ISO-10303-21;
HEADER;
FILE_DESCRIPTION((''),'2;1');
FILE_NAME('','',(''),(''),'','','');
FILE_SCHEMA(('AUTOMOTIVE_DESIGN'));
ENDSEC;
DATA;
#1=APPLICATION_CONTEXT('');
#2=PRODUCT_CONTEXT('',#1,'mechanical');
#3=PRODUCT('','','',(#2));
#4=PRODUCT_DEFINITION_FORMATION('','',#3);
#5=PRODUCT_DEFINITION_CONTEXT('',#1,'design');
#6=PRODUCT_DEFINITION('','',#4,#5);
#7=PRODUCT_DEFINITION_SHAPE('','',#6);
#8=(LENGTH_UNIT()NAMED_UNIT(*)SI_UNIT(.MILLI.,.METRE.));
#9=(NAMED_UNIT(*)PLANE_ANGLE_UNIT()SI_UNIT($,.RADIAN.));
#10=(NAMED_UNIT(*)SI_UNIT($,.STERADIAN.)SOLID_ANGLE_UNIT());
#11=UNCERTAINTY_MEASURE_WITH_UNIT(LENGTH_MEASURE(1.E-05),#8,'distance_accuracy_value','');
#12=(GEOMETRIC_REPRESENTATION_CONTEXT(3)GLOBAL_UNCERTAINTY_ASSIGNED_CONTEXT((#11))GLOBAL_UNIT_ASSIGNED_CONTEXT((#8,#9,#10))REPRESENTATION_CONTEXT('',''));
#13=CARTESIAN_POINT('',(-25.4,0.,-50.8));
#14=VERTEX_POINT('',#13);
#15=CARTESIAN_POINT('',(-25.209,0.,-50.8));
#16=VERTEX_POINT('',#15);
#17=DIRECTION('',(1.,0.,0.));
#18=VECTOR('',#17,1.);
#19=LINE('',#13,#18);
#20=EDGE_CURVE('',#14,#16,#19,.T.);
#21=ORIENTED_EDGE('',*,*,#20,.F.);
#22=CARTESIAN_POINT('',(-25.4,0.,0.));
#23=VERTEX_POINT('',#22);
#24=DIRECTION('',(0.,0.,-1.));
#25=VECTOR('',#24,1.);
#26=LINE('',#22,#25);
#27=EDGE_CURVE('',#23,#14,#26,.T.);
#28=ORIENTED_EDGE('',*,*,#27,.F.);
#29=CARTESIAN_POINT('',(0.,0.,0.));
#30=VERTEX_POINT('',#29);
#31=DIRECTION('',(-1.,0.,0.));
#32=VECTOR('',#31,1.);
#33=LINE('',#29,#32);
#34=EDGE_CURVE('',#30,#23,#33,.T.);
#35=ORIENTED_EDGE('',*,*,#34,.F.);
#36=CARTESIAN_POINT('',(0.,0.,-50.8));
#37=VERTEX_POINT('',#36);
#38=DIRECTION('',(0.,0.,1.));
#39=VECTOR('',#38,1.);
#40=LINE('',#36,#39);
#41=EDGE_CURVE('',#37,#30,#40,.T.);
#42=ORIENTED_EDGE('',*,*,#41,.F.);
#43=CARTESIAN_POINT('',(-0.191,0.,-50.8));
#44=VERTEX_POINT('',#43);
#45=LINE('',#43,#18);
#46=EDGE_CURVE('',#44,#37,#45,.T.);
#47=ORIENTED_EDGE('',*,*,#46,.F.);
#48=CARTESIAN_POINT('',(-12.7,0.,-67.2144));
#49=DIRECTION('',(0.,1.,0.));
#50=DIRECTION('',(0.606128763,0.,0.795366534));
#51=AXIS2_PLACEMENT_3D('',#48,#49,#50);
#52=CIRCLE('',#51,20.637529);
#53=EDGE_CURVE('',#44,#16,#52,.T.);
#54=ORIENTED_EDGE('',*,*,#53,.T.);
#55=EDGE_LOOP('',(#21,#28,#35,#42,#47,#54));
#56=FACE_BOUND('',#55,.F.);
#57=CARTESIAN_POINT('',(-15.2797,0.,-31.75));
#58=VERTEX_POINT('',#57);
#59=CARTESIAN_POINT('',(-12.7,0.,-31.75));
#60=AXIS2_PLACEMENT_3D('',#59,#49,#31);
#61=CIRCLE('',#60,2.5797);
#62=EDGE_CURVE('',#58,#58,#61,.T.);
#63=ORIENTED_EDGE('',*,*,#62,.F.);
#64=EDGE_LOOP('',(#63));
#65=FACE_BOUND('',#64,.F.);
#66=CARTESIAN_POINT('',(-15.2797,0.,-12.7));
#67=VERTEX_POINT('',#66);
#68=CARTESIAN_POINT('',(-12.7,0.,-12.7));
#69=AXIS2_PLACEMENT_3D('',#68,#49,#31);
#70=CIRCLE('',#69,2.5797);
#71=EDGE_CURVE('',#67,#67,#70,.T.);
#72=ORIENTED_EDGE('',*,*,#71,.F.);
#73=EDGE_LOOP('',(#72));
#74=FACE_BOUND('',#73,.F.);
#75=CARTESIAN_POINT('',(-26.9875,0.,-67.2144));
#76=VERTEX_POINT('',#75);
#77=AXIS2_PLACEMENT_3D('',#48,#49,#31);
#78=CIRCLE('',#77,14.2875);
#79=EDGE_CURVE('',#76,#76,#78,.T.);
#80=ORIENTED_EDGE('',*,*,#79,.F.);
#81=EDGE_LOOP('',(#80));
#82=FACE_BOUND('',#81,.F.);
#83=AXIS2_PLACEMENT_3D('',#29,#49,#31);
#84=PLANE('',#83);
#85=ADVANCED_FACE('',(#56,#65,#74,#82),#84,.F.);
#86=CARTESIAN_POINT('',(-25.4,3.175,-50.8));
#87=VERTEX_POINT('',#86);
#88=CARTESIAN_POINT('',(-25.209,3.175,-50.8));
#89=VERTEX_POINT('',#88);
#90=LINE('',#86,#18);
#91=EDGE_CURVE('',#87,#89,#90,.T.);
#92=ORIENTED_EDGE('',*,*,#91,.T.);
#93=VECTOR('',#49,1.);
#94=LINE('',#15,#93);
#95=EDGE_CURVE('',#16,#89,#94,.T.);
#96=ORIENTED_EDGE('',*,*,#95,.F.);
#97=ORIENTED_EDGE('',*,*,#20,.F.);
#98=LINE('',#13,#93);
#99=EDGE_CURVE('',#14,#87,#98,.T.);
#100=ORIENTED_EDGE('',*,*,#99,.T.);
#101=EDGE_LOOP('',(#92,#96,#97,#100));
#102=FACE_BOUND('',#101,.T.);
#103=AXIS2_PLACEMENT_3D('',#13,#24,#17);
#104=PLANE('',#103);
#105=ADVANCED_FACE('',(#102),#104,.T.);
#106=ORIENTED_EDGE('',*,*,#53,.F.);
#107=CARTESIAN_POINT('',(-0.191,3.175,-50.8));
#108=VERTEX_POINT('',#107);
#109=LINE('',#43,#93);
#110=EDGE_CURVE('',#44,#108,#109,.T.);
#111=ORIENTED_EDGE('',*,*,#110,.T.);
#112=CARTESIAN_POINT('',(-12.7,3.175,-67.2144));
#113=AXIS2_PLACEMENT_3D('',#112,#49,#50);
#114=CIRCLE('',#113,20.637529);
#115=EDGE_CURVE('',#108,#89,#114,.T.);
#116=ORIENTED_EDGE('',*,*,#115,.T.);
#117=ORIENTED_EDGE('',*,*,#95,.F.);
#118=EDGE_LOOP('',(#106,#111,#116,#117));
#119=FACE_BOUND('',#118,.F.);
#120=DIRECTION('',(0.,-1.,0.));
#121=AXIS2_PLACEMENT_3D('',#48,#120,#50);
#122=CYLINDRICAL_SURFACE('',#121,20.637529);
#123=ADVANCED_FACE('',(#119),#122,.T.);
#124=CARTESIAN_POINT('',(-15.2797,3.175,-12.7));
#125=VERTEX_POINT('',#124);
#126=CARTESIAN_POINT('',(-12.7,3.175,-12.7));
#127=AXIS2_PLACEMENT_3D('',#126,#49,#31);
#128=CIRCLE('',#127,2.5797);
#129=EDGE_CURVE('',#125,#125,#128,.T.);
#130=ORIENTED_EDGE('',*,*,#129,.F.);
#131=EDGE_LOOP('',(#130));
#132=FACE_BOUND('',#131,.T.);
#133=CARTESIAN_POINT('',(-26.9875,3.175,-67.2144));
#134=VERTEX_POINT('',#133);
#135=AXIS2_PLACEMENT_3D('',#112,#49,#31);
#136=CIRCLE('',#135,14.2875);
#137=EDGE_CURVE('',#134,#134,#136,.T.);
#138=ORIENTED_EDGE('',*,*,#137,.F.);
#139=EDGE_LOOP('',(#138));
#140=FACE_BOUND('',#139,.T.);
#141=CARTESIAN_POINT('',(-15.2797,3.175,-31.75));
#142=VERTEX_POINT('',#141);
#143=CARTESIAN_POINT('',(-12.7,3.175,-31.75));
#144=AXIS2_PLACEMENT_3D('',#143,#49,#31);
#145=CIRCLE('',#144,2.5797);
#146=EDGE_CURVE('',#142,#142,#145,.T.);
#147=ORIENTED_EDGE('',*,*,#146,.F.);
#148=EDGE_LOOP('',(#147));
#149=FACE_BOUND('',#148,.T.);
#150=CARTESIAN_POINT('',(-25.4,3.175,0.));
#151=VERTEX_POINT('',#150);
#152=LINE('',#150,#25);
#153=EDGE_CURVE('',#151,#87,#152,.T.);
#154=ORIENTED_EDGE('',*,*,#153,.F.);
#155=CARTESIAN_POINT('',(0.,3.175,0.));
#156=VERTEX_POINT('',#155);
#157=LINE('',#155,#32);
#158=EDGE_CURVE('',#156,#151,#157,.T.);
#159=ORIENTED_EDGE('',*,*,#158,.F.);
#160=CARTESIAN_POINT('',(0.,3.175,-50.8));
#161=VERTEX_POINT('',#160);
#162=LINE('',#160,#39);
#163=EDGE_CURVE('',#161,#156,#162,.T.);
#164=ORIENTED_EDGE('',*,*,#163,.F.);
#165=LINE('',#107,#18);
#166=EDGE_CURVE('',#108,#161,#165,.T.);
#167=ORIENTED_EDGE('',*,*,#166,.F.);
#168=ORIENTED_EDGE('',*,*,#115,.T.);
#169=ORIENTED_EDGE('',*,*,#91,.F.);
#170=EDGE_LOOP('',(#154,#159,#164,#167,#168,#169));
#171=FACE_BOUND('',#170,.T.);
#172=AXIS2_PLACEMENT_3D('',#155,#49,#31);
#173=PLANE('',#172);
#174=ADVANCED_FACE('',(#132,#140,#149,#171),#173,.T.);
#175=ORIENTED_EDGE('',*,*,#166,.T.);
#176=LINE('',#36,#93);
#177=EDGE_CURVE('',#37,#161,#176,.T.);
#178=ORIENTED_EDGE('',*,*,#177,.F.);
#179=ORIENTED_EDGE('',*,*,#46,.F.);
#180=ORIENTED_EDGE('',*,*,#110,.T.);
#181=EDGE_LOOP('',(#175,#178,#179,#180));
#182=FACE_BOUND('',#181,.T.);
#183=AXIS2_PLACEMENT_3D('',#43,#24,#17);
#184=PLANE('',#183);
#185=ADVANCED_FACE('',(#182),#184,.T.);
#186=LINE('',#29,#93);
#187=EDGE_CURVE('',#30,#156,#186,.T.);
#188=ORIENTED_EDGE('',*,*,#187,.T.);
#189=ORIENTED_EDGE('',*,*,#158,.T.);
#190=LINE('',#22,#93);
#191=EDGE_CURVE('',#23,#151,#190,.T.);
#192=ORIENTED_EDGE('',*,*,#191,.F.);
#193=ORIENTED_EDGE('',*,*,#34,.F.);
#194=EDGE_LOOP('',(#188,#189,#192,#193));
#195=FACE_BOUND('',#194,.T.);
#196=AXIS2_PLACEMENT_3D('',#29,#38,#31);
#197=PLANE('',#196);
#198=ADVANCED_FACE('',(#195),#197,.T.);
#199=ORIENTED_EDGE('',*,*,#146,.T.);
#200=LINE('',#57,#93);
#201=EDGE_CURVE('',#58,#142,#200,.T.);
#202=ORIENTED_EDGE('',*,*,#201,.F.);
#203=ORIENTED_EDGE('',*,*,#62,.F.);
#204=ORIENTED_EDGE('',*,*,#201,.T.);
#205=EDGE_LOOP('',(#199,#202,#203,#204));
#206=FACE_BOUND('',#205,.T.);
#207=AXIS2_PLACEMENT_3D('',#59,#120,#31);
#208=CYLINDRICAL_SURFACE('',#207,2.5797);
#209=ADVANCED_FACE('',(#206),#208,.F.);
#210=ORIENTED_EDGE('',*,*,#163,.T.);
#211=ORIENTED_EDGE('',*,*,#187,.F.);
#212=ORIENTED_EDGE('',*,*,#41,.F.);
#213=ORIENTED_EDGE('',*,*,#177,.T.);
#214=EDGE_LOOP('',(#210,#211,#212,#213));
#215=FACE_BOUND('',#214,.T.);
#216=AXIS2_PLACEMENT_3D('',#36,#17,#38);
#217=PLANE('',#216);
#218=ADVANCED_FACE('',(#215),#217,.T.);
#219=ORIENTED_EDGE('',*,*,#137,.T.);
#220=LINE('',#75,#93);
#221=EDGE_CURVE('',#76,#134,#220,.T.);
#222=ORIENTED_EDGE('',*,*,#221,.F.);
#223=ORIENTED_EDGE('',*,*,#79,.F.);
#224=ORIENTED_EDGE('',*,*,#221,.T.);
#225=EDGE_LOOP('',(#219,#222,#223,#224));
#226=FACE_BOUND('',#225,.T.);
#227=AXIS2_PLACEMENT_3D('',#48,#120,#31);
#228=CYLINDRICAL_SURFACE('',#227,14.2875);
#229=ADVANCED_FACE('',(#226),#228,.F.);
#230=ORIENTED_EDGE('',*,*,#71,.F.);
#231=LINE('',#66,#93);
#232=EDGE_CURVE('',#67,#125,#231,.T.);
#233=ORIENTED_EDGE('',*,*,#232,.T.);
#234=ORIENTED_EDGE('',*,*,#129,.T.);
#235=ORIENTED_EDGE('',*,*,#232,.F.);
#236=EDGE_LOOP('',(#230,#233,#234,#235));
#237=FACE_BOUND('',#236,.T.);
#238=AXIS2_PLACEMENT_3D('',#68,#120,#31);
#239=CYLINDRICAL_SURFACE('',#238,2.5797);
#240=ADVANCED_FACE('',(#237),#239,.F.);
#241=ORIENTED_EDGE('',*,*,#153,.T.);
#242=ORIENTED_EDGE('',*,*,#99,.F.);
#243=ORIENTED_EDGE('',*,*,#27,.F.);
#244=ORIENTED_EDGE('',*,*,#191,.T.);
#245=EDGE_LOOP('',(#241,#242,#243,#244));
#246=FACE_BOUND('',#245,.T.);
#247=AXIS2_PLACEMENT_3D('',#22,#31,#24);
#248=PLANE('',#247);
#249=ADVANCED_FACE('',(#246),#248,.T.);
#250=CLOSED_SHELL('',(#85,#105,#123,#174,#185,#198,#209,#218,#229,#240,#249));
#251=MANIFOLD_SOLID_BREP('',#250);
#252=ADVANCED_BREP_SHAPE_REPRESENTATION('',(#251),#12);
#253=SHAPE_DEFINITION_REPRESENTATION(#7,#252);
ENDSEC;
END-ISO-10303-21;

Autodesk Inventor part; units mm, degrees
ref_plane "YZ Plane" through (0, 0, 0) normal (1, 0, 0) x (0, 1, 0)
ref_plane "XZ Plane" through (0, 0, 0) normal (0, 1, 0) x (-1, 0, 0)
ref_plane "XY Plane" through (0, 0, 0) normal (0, 0, 1) x (1, 0, 0)
sketch "Sketch1" plane through (0, 0, 0) normal (0, 1, 0) x (-1, 0, 0)
  line L0 (0, 0) -> (25.4, 0)
  line L1 (25.4, 0) -> (25.4, -50.8)
  line L2 (0, -50.8) -> (0, 0)
  circle A0 centre (12.7, -67.2144) radius 14.2875
  arc A1 (0.191, -50.8) -> (25.209, -50.8) centre (12.7, -67.2144) ccw
  line L3 (25.4, -50.8) -> (25.209, -50.8)
  line L4 (0.191, -50.8) -> (0, -50.8)
  line L5 (12.7, 0) -> (12.7, -12.7) construction
  line L6 (12.7, -12.7) -> (12.7, -31.75) construction
  circle A2 centre (12.7, -12.7) radius 2.5797
  circle A3 centre (12.7, -31.75) radius 2.5797
  dimension "d0" = 25.4
  dimension "d1" = 50.8
  dimension "d2" = 28.575
  dimension "d3" = 6.35
  dimension "d4" = 12.7
  dimension "d5" = 19.05
  dimension "d6" = 5.1594
  dimension "d7" = 5.1594
extrude "Extrusion1" add sketch "Sketch1" along normal blind 3.175
properties part number "base gear connector"
